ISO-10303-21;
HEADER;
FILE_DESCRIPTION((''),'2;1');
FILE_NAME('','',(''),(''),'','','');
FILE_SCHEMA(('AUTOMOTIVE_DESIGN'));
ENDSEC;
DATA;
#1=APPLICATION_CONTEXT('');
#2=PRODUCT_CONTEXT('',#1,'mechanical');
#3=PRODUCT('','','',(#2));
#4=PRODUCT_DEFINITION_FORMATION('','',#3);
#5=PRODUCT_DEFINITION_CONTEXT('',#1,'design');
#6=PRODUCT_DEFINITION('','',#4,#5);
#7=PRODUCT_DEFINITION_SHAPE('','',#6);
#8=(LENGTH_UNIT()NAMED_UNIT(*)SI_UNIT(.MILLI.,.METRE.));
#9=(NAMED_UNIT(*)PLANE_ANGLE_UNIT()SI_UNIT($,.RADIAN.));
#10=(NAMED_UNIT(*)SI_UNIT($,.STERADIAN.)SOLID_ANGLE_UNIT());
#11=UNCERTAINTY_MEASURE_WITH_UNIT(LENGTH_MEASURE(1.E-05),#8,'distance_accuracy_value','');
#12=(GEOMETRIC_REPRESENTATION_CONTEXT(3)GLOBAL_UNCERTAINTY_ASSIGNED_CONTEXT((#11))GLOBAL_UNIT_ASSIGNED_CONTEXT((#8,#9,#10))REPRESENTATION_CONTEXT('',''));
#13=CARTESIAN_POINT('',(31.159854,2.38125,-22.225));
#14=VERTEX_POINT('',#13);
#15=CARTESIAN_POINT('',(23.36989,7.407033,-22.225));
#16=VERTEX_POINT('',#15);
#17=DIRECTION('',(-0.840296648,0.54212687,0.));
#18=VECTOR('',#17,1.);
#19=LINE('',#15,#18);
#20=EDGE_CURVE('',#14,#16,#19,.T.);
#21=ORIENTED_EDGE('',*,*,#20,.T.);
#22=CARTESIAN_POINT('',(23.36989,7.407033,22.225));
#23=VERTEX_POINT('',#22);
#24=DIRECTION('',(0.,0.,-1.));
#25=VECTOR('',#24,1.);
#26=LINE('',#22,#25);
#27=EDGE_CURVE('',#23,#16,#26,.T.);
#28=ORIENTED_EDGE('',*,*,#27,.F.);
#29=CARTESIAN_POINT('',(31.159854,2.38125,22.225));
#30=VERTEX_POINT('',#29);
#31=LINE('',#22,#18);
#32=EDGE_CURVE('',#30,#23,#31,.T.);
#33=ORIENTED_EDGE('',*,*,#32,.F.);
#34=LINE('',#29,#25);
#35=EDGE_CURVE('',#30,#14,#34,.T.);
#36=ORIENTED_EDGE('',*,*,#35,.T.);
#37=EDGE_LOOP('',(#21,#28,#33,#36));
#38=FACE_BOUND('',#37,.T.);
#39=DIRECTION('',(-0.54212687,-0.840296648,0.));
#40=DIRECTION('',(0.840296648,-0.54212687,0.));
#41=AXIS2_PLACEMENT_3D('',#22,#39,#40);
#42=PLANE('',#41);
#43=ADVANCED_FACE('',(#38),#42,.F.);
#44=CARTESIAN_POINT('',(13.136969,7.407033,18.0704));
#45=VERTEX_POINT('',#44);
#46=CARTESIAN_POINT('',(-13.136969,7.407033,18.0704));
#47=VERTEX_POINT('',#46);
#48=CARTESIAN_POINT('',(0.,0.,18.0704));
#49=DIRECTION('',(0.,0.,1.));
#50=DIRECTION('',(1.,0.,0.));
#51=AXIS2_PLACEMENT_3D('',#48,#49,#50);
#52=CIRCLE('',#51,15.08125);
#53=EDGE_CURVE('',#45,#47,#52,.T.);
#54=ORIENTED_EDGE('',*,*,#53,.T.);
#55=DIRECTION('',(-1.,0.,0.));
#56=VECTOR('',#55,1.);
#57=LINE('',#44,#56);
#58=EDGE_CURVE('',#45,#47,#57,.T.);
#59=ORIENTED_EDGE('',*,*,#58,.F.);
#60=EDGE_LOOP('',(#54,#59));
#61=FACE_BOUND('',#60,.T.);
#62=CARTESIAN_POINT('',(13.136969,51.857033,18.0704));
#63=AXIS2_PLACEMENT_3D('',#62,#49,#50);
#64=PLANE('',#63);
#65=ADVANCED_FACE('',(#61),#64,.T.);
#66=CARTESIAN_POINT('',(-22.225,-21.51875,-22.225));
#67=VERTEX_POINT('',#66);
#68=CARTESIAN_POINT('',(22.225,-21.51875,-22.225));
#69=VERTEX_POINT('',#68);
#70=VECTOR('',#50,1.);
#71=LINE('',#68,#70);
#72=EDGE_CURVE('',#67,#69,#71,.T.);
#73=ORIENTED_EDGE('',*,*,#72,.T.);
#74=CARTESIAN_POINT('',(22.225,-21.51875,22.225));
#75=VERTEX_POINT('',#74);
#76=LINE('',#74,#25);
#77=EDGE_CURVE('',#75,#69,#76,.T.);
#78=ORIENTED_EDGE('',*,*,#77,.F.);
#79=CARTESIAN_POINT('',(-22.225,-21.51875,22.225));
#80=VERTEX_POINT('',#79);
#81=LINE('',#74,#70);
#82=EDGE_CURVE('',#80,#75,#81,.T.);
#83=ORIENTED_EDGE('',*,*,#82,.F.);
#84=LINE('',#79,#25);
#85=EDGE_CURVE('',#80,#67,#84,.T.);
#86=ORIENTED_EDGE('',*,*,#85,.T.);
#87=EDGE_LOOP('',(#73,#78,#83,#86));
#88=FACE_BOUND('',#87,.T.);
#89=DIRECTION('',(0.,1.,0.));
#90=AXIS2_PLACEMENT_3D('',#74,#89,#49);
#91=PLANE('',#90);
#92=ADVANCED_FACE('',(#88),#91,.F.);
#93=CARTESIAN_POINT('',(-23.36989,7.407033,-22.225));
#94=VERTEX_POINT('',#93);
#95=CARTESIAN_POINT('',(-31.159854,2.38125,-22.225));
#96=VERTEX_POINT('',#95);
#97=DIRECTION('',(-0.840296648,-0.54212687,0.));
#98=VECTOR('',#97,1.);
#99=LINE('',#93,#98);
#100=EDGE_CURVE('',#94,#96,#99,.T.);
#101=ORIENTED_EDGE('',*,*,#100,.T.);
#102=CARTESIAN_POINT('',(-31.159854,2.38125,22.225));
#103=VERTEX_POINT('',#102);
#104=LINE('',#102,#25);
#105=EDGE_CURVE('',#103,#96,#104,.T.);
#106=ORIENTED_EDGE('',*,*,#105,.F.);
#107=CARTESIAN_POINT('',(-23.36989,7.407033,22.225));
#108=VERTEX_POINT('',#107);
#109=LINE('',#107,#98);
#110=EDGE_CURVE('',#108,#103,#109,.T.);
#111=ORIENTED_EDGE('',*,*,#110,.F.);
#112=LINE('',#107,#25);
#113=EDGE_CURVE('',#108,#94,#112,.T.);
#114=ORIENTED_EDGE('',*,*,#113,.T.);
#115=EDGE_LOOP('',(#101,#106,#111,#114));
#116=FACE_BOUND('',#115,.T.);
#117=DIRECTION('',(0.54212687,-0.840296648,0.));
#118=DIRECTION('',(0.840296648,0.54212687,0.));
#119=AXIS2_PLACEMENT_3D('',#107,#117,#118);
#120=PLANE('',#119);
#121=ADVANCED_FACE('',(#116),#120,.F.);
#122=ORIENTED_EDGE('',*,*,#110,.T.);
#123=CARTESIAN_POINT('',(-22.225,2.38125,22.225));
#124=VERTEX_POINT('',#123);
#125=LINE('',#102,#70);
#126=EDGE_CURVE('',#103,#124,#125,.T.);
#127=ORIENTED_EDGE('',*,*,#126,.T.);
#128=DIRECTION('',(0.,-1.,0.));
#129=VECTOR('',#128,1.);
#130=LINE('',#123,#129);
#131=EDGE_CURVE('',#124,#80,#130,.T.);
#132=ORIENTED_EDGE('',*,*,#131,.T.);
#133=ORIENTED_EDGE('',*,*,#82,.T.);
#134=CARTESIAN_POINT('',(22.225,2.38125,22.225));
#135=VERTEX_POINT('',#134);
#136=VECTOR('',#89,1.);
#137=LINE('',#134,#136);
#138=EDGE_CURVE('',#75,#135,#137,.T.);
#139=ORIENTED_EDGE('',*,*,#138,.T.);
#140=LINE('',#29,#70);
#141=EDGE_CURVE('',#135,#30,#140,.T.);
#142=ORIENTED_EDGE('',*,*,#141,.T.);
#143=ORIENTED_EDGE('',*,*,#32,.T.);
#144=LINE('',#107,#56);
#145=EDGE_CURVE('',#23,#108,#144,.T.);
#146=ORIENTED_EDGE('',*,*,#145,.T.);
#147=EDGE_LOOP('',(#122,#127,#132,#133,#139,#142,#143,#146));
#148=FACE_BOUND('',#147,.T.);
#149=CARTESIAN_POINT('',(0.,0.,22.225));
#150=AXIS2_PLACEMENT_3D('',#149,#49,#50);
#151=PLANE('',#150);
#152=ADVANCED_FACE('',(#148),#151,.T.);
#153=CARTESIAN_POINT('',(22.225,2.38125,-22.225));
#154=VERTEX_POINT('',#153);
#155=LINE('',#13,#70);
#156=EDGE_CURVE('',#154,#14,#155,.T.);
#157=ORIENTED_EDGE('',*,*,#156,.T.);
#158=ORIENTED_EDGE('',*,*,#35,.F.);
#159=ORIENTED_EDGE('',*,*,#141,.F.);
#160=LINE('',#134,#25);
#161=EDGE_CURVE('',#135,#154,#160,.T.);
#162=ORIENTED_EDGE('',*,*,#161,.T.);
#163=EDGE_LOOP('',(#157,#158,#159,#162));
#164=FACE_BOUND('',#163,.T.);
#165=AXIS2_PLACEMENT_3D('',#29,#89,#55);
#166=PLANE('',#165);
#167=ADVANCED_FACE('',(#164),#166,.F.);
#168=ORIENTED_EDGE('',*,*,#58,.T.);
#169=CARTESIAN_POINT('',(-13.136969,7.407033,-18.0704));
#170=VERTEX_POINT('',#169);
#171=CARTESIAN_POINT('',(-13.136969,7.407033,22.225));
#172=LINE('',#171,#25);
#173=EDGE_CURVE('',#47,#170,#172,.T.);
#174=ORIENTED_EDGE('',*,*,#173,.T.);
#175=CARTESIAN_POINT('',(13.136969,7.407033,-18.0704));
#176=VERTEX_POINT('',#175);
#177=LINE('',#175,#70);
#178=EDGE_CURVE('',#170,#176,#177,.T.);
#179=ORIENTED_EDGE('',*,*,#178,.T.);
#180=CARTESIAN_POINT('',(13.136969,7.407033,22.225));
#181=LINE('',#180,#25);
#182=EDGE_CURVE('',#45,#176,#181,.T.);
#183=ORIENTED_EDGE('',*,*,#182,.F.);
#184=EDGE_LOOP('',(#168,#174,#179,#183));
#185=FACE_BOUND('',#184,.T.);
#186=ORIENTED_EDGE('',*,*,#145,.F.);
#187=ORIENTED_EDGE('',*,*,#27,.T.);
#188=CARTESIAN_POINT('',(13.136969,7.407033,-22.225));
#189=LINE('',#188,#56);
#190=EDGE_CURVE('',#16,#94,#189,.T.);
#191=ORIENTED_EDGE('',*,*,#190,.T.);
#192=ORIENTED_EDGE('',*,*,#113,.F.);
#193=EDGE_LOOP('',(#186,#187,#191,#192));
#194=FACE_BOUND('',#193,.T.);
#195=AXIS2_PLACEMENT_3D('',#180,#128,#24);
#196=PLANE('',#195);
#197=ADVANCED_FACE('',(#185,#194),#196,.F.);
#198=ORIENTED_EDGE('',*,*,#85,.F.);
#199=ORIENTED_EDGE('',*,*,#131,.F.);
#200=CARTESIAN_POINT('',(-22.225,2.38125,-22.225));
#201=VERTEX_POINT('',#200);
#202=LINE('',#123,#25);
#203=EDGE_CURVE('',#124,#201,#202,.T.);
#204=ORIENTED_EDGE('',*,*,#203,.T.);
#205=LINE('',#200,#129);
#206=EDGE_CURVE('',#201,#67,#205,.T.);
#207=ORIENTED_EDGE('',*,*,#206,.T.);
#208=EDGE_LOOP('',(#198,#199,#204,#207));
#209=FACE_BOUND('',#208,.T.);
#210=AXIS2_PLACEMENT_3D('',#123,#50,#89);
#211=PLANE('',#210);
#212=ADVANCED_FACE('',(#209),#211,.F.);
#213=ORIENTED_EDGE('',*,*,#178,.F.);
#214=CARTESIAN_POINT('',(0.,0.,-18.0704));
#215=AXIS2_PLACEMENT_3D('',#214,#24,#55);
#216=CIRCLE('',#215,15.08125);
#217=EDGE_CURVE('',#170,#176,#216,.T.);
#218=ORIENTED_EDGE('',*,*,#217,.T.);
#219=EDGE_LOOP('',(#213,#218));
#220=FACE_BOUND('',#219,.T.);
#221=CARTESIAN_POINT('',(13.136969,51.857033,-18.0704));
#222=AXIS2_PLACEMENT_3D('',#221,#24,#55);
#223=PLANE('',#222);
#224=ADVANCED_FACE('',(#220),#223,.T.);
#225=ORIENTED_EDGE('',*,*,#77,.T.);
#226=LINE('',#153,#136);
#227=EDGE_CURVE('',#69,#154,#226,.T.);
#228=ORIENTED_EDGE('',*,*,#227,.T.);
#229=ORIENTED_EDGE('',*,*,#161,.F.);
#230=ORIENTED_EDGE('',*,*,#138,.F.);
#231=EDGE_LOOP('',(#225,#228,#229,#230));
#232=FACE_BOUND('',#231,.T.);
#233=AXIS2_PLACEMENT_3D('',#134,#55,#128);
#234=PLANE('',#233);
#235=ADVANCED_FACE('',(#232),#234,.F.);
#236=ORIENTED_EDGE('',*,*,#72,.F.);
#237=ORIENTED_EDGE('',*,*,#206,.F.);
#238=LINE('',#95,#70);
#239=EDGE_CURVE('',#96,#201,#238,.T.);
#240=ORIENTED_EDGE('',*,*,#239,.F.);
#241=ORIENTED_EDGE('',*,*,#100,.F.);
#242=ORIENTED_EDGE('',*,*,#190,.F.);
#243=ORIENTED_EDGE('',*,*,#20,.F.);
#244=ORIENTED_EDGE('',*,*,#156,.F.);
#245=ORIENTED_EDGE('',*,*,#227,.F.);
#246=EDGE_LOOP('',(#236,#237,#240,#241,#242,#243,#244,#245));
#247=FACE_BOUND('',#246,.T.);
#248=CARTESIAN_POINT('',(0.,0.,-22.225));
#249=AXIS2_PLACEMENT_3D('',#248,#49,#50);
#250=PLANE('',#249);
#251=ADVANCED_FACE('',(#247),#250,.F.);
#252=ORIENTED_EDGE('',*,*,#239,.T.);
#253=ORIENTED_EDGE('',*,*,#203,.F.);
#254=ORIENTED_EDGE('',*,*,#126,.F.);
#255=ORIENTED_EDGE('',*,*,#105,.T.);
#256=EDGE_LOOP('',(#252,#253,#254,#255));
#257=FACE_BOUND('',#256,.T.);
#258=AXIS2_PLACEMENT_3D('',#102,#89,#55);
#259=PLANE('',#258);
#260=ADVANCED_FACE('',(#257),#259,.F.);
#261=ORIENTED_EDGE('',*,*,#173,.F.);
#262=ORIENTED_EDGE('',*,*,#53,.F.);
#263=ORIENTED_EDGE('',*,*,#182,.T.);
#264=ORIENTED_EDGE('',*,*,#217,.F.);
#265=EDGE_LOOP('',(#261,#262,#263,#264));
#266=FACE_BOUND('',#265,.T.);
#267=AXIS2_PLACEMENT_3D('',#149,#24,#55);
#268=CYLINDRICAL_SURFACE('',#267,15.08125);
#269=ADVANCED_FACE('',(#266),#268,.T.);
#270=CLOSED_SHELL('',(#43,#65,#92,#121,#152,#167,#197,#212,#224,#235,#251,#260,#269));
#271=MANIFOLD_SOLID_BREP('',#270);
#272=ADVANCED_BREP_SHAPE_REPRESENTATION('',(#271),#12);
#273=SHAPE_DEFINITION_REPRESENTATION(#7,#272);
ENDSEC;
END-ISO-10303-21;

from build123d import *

# Parameters (mm, degrees)
BOSS_EXTRUDE1_DEPTH = 22.225
SKETCH2_W           = 26.27393882
SKETCH2_H           = 4.154599903
CUT_EXTRUDE1_DEPTH  = 44.45


with BuildPart() as part:
    # Sketch1 → Boss-Extrude1 (new body, symmetric)
    with BuildSketch(Plane.XY):
        with BuildLine():
            Line((-23.369890455, 7.407032893), (-13.13696941, 7.407032893))
            ThreePointArc((-13.13696941, 7.407032893), (0, 15.08125), (13.13696941, 7.407032893))
            Line((13.13696941, 7.407032893), (23.369890455, 7.407032893))
            Line((23.369890455, 7.407032893), (31.15985394, 2.38125))
            Line((31.15985394, 2.38125), (22.225, 2.38125))
            Line((22.225, 2.38125), (22.225, -21.51875))
            Line((22.225, -21.51875), (-22.225, -21.51875))
            Line((-22.225, -21.51875), (-22.225, 2.38125))
            Line((-22.225, 2.38125), (-31.15985394, 2.38125))
            Line((-31.15985394, 2.38125), (-23.369890455, 7.407032893))
        make_face()
    extrude(amount=BOSS_EXTRUDE1_DEPTH, both=True)

    # Sketch2 → Cut-Extrude1 (cut)
    with BuildSketch(Plane(origin=(0, 7.407032893, 0), x_dir=(1, 0, 0), z_dir=(0, 1, 0))):
        with Locations((0, 20.147700048)):
            Rectangle(SKETCH2_W, SKETCH2_H)
        with Locations((0, -20.147700048)):
            Rectangle(SKETCH2_W, SKETCH2_H)
    extrude(amount=CUT_EXTRUDE1_DEPTH, mode=Mode.SUBTRACT)


solid = part.part
